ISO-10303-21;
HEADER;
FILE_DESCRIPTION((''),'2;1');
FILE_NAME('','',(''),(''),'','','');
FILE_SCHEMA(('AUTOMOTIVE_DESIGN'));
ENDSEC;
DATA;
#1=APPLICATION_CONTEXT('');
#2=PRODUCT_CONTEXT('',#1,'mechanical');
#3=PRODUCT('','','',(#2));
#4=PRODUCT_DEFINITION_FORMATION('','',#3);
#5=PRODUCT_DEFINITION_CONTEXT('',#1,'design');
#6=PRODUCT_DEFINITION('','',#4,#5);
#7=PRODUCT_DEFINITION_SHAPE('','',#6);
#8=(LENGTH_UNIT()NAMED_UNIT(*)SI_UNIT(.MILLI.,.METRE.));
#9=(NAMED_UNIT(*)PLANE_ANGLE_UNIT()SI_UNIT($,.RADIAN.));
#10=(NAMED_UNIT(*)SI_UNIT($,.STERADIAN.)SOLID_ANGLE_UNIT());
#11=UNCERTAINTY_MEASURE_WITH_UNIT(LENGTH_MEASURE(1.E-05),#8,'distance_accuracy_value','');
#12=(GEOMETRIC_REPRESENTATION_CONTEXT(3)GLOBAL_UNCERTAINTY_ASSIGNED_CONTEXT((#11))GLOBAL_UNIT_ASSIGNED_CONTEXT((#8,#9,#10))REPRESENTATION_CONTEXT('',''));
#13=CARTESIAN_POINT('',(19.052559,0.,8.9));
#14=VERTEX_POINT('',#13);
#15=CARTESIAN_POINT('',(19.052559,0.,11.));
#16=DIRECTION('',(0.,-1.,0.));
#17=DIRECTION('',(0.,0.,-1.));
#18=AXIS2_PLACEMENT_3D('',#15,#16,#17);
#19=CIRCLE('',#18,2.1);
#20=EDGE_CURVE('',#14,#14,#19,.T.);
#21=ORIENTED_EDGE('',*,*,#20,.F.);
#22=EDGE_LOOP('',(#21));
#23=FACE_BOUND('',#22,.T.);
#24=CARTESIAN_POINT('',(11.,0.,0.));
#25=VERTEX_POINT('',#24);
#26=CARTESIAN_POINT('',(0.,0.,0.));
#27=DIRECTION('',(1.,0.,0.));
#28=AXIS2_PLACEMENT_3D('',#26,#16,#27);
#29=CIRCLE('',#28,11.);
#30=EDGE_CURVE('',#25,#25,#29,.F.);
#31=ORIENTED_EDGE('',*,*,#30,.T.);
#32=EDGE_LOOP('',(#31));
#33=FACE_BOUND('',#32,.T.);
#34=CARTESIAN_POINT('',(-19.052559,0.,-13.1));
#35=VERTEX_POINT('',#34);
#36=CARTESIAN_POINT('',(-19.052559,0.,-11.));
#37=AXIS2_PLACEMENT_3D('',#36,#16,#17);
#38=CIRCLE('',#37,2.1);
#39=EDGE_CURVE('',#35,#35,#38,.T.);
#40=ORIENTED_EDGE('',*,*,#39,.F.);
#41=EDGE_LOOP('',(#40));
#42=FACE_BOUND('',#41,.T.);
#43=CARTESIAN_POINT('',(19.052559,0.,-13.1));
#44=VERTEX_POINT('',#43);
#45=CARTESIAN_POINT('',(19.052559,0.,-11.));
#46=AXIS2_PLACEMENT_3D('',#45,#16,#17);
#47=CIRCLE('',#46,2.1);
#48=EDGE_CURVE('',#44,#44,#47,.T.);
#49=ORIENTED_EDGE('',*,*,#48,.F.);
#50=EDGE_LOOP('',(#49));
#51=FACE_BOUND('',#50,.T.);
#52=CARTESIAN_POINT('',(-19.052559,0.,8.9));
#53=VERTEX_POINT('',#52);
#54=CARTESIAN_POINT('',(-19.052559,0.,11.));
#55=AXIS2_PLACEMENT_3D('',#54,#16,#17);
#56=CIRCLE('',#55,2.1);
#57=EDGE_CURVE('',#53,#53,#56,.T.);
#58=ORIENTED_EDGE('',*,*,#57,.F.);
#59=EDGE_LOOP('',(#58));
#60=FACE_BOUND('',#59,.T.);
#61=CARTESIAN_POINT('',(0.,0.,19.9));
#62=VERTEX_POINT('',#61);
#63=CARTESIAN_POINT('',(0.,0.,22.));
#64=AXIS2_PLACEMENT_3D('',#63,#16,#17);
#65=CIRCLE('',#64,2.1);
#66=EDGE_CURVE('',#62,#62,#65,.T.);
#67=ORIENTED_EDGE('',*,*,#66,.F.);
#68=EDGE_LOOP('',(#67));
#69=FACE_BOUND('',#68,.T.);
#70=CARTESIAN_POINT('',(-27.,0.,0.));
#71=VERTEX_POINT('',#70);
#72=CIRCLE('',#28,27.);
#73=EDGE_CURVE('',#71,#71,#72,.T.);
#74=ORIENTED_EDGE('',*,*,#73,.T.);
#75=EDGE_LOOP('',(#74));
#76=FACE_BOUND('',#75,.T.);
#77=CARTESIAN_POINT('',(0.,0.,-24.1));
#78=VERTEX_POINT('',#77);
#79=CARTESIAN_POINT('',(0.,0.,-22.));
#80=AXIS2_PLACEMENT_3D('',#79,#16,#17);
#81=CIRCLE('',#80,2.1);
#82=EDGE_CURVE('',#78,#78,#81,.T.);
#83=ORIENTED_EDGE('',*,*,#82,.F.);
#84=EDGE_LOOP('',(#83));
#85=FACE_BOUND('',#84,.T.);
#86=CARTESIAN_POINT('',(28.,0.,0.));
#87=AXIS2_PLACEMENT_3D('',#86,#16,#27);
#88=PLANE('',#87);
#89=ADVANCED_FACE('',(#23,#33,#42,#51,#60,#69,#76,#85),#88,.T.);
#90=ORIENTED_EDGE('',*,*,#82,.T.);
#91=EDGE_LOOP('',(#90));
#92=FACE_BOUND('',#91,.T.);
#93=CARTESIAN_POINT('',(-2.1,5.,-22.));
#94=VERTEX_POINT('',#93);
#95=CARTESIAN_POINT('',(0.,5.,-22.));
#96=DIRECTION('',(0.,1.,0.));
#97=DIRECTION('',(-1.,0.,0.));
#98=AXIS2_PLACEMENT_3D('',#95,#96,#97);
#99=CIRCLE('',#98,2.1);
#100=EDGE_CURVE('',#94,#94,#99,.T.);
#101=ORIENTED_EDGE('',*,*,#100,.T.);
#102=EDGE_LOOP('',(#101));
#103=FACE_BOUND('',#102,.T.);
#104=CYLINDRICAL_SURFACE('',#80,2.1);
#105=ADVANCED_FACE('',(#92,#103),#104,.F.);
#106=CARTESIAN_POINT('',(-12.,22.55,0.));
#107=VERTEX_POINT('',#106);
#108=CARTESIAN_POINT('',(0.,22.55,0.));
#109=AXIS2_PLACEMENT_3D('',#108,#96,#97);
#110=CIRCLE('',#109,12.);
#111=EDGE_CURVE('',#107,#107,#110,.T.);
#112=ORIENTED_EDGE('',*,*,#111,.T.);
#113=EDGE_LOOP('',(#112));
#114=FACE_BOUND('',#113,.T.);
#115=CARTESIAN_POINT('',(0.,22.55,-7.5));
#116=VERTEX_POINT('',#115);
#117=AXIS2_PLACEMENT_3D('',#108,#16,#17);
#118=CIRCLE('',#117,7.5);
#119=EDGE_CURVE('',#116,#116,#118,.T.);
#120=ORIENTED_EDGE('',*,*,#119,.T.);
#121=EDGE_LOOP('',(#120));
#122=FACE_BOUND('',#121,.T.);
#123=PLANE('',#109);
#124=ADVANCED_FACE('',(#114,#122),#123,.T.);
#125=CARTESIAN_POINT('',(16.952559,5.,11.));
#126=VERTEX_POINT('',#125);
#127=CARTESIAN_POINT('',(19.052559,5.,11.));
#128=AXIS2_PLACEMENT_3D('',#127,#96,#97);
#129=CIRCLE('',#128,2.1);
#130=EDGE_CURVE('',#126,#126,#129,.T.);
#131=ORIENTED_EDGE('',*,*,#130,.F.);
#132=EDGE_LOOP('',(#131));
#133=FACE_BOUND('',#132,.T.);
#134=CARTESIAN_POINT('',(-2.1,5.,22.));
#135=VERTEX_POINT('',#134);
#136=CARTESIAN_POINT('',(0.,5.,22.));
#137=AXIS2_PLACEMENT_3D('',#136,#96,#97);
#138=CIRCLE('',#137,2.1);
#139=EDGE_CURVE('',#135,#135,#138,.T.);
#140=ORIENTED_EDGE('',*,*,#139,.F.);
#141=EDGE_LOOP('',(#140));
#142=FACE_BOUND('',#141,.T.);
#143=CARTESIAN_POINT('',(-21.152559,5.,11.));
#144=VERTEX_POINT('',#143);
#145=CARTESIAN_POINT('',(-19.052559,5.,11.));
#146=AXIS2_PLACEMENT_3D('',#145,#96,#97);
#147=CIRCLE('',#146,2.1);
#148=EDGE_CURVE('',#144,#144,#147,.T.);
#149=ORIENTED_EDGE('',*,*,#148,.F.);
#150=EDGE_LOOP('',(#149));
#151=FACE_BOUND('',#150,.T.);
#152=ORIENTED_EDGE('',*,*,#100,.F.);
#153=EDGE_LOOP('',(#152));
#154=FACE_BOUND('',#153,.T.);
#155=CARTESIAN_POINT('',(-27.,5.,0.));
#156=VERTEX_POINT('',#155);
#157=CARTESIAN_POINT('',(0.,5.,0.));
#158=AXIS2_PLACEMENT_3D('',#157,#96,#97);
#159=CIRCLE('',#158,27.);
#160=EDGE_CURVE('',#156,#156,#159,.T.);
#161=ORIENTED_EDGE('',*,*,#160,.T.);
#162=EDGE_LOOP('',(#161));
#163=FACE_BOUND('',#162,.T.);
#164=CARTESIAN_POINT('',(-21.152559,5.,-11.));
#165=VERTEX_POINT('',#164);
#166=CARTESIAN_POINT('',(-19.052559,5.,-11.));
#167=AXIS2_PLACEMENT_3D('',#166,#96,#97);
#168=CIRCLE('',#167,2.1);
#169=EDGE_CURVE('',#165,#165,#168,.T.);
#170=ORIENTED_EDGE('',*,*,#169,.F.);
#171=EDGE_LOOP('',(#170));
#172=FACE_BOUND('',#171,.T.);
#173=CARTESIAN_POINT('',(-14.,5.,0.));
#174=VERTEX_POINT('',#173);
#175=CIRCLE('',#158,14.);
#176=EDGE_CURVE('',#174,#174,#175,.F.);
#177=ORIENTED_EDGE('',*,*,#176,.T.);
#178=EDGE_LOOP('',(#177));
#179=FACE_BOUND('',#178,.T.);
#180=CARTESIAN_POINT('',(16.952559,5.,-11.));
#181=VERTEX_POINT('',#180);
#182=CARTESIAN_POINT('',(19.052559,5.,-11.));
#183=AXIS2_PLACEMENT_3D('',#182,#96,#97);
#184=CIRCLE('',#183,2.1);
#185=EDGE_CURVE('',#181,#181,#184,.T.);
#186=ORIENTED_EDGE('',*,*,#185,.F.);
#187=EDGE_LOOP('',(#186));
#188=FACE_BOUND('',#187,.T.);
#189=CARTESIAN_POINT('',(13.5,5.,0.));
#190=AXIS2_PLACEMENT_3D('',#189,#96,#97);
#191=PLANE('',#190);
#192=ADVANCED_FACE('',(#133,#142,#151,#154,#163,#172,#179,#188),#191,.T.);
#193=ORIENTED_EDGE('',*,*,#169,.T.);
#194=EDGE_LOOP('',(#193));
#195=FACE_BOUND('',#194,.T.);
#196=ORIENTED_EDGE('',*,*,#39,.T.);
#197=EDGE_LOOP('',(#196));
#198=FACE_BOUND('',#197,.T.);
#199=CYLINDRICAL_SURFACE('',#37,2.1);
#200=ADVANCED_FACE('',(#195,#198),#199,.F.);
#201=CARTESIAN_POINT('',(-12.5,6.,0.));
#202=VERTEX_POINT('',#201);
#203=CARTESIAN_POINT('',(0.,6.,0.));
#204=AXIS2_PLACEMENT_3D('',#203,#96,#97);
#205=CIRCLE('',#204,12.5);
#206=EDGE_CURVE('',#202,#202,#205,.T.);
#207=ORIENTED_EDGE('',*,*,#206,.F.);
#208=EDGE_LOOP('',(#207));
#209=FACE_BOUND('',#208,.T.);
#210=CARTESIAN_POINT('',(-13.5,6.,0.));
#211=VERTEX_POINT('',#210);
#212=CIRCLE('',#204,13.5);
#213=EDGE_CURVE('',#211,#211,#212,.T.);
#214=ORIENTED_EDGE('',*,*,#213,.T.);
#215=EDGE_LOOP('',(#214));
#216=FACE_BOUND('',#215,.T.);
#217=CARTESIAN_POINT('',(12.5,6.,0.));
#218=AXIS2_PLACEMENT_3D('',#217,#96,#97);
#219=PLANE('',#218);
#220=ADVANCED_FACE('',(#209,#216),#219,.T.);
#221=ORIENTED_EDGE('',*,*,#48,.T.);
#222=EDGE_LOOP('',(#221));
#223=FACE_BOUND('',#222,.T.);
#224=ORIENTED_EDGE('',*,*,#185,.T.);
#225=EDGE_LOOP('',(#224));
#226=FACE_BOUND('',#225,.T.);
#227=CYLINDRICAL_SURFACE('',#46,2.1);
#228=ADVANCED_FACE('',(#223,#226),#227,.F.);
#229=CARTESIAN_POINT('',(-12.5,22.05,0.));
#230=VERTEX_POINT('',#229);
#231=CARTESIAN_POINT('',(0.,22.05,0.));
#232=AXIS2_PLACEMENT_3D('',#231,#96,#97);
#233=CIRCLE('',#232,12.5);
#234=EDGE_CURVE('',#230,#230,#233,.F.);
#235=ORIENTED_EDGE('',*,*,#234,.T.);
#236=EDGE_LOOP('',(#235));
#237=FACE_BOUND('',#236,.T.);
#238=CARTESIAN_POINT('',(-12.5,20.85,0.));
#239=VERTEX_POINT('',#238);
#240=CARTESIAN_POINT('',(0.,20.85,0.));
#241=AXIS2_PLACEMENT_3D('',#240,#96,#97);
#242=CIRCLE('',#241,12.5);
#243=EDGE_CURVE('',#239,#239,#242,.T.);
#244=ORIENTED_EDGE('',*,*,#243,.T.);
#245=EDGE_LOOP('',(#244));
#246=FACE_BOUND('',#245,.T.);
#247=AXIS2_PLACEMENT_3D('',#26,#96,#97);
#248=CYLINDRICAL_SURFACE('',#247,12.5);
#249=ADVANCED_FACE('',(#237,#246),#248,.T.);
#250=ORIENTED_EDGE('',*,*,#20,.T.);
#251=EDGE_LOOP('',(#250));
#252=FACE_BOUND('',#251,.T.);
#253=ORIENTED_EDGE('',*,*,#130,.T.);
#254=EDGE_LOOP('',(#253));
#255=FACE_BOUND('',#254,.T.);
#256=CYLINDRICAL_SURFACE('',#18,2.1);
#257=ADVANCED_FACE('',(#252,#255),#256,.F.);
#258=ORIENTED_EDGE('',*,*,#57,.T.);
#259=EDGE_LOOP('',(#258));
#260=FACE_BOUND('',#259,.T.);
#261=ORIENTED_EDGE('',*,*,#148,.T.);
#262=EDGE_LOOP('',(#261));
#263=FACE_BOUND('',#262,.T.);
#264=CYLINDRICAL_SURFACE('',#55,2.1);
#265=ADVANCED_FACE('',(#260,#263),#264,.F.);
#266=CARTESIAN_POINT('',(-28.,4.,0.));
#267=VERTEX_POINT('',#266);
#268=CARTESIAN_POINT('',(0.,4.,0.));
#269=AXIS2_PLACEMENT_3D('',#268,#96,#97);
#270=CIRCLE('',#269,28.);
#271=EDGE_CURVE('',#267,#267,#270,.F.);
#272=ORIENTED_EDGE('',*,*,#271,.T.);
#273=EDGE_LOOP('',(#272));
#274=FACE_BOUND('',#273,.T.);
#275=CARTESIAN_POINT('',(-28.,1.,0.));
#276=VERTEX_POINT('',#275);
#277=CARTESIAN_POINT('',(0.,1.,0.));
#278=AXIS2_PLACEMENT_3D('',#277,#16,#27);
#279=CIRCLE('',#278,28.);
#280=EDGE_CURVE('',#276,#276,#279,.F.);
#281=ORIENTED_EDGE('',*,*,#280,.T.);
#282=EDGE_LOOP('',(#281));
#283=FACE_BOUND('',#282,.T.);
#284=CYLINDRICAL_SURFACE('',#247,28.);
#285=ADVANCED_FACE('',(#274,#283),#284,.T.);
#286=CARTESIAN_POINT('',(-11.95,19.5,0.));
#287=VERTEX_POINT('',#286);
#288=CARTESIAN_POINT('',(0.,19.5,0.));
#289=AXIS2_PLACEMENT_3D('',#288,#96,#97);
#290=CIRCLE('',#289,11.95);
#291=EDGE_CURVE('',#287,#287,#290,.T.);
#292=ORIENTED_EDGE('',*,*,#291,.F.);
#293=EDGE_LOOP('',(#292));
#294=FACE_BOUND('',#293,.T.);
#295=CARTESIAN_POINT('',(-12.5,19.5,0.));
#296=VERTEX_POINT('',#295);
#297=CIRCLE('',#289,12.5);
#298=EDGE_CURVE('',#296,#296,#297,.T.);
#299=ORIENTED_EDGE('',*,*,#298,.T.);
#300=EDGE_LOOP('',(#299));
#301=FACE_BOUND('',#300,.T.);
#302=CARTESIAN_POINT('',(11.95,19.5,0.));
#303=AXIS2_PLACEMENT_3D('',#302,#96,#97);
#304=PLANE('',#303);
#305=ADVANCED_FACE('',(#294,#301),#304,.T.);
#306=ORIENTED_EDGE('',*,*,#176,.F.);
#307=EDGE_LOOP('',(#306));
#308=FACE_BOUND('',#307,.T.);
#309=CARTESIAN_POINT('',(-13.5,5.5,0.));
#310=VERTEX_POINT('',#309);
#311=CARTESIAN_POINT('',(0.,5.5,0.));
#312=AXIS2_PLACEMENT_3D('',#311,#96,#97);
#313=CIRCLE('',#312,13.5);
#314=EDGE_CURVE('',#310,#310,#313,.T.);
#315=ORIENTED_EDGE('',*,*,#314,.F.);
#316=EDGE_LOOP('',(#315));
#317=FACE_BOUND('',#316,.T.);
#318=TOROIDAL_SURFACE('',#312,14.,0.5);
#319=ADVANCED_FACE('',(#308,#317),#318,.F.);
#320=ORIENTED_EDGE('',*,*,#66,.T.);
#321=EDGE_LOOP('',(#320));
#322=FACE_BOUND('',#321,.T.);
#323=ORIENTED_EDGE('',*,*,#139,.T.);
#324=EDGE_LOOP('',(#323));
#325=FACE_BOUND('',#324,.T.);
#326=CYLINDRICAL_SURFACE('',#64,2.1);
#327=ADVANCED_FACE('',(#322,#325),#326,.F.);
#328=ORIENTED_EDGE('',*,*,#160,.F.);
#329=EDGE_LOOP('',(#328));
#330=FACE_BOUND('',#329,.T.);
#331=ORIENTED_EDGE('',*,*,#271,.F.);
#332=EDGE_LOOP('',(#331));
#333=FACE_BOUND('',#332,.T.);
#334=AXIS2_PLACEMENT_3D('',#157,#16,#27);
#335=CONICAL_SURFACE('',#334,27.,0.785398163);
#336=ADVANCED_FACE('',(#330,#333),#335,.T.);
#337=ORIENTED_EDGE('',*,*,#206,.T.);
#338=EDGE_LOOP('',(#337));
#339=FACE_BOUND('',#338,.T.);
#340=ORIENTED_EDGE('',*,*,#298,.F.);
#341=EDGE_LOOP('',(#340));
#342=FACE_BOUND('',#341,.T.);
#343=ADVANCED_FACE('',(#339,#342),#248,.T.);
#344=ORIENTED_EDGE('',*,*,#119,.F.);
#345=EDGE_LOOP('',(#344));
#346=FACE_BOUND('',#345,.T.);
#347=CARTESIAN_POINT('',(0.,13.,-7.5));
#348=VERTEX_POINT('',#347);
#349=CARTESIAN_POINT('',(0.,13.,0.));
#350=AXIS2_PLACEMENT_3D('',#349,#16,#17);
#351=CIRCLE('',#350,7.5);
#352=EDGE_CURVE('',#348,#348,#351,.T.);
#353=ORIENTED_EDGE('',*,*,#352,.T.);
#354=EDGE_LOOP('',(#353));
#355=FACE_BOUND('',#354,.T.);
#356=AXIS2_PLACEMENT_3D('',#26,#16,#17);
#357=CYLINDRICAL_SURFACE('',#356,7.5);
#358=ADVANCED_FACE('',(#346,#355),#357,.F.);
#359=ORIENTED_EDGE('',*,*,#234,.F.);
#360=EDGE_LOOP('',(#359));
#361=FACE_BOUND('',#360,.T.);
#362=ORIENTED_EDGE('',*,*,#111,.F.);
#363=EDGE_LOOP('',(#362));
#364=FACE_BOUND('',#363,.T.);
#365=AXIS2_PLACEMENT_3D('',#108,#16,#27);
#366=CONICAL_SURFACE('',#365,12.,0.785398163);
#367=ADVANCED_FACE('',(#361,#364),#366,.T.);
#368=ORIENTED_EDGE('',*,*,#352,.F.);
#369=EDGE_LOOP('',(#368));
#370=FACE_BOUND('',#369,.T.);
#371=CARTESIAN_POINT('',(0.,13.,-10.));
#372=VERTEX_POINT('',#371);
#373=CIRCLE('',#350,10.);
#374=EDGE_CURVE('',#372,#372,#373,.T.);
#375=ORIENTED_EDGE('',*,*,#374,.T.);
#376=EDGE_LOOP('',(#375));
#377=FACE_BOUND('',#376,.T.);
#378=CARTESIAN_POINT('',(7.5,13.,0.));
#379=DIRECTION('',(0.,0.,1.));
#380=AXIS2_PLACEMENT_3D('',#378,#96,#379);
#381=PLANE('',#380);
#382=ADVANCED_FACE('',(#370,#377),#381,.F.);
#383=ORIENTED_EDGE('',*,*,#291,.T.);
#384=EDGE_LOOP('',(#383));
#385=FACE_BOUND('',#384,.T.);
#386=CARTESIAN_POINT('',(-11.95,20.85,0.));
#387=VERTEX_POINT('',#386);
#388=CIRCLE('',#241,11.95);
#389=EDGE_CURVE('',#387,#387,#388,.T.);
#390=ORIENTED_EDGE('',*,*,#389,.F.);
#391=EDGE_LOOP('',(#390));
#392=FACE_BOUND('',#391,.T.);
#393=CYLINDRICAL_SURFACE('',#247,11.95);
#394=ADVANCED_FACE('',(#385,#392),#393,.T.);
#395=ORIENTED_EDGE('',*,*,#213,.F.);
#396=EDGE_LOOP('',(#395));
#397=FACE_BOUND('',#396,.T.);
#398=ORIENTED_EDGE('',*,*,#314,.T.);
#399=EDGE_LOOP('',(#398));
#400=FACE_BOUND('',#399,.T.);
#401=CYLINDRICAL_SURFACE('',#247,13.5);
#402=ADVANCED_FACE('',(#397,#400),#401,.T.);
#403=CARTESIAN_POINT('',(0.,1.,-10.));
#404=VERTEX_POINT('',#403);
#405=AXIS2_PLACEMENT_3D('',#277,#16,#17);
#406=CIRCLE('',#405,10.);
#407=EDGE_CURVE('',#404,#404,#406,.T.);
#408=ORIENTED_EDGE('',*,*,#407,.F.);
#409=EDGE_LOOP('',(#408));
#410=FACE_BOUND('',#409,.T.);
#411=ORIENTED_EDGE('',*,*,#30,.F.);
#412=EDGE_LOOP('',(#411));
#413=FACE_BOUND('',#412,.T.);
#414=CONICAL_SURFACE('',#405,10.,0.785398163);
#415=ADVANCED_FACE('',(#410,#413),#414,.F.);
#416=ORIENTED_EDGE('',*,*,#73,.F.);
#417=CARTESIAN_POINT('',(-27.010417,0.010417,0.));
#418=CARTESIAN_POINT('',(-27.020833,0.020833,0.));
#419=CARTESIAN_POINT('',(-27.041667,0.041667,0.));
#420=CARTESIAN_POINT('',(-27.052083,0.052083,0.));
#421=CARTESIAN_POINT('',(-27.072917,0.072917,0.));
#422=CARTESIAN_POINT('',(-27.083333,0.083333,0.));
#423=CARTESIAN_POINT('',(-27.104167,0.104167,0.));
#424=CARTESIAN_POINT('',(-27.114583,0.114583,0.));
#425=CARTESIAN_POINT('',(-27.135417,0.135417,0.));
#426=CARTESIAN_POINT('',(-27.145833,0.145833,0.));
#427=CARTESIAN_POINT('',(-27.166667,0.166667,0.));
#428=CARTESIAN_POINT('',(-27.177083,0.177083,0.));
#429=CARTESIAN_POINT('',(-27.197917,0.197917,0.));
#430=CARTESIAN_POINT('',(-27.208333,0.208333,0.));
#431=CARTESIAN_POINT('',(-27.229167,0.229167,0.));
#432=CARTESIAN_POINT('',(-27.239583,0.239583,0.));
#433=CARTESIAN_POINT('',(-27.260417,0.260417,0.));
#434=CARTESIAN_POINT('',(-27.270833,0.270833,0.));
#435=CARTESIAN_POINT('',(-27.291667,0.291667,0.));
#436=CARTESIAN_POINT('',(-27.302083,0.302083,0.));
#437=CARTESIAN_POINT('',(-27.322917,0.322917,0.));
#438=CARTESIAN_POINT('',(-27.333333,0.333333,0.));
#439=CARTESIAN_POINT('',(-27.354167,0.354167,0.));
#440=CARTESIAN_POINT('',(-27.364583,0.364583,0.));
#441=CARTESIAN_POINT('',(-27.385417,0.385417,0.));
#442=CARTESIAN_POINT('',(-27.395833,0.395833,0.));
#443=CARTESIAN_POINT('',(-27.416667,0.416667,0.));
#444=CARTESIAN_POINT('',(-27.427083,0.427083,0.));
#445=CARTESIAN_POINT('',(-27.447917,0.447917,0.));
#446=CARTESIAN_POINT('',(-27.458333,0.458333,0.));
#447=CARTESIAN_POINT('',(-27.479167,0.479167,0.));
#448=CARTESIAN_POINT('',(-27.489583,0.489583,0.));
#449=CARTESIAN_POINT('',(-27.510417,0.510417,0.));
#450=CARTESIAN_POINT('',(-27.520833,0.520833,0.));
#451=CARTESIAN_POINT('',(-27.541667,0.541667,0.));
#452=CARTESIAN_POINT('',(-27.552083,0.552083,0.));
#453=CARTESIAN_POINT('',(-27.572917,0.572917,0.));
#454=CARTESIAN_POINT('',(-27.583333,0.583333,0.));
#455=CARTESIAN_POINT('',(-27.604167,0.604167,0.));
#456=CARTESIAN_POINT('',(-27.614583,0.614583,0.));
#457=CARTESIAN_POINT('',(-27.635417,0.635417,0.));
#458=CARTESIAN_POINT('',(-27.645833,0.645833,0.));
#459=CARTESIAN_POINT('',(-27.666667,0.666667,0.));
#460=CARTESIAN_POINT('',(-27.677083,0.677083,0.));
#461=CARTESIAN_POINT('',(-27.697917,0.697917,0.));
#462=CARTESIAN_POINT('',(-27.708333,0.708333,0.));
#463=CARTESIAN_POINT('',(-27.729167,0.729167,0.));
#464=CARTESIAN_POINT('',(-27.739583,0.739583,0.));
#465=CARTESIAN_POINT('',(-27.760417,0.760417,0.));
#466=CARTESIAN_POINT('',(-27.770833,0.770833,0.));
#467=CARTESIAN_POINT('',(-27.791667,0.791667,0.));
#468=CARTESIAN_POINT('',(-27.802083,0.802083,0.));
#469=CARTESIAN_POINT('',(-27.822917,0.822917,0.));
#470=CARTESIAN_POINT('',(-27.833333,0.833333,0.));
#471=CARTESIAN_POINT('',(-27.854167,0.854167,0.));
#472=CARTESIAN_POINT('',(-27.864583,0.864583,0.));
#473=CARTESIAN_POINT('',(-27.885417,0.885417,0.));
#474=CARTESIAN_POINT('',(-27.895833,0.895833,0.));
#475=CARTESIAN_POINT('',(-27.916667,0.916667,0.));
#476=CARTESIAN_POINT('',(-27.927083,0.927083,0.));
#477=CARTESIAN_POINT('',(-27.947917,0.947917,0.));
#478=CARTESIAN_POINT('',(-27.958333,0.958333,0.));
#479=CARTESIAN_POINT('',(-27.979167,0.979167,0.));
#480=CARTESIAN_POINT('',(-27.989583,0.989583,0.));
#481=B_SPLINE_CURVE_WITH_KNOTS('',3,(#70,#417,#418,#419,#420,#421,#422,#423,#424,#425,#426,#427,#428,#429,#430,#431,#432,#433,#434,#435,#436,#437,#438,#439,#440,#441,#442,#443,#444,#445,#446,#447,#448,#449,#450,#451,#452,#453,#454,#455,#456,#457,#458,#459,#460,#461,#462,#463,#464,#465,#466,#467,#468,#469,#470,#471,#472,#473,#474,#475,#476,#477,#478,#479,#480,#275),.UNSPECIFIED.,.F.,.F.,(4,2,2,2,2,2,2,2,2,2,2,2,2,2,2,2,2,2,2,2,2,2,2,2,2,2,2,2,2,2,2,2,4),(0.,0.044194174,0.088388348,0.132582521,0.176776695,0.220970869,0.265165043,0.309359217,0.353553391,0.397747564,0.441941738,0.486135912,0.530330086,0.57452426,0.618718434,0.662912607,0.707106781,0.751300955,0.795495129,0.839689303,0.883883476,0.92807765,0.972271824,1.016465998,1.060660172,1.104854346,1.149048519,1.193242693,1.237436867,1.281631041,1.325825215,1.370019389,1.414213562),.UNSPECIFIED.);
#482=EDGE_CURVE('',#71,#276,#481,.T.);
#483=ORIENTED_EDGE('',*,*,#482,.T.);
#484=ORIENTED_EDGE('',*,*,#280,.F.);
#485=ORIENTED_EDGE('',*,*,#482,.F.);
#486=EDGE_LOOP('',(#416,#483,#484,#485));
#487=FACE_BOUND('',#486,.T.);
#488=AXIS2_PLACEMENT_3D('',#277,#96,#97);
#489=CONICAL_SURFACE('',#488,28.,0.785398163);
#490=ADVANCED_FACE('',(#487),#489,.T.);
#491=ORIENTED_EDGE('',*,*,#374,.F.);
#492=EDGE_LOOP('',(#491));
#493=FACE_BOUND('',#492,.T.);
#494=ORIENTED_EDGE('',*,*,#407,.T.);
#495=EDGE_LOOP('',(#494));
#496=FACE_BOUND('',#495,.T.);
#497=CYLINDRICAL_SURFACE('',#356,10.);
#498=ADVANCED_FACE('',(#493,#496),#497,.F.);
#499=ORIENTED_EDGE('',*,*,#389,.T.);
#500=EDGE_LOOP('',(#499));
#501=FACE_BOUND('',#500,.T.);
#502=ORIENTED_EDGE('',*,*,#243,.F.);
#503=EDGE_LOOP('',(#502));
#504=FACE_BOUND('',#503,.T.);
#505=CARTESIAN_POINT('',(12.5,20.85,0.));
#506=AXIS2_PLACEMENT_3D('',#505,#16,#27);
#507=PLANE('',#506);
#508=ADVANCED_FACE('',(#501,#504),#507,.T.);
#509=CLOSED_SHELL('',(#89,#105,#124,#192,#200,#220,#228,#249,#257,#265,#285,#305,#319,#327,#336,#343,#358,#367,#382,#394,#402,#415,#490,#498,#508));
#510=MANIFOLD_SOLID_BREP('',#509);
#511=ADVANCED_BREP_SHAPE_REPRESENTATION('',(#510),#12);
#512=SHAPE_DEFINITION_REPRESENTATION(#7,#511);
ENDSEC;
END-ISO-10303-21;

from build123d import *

# Parameters (mm, degrees)
HOLE_WIZARD_M5_1_D    = 4.2
M20X1_5_1_D           = 15
M20X1_5_1_CBORE_D     = 20
M20X1_5_1_CBORE_DEPTH = 13
CHAMFER_1_SIZE        = 0.5
CHAMFER_2_SIZE        = 1
FILLET_1_R            = 0.5


with BuildPart() as part:
    # 草图1 → 旋转1 (revolve)
    with BuildSketch(Plane(origin=(0, 0, 0), x_dir=(-1, 0, 0), z_dir=(0, 0, -1)), mode=Mode.PRIVATE) as revolve_1_sk:
        Polygon((-28, 0), (0, 0), (0, 22.55), (-12.5, 22.55), (-12.5, 20.85), (-11.95, 20.85), (-11.95, 19.5), (-12.5, 19.5), (-12.5, 6), (-13.5, 6), (-13.5, 5), (-28, 5), align=None)
    revolve(revolve_1_sk.sketch.rotate(Axis((0, 0, 0), (0, 1, 0)), 180), axis=Axis((0, 0, 0), (0, 1, 0)))

    # M5 螺纹孔1 (through all)
    with Locations(Plane(origin=(0, 0, 0), x_dir=(-1, 0, 0), z_dir=(0, -1, 0))):
        with Locations((0, -22), (-19.052558883, -11), (-19.052558883, 11), (0, 22), (19.052558883, 11), (19.052558883, -11)):
            Hole(HOLE_WIZARD_M5_1_D / 2)

    # M20x1.5 螺纹孔1 (through all)
    with Locations(Plane(origin=(0, 0, 0), x_dir=(-1, 0, 0), z_dir=(0, -1, 0))):
        with Locations((0, 0)):
            CounterBoreHole(M20X1_5_1_D / 2, M20X1_5_1_CBORE_D / 2, M20X1_5_1_CBORE_DEPTH)

    # 倒角1
    chamfer_1_edges = [part.edges().sort_by_distance(p)[0] for p in [
        (12.5, 22.55, 0),
    ]]
    chamfer(chamfer_1_edges, length=CHAMFER_1_SIZE)

    # 倒角2
    chamfer_2_edges = [part.edges().sort_by_distance(p)[0] for p in [
        (28, 0, 0),
        (10, 0, 0),
        (28, 5, 0),
    ]]
    chamfer(chamfer_2_edges, length=CHAMFER_2_SIZE)

    # 圆角1
    fillet_1_edges = [part.edges().sort_by_distance(p)[0] for p in [
        (13.5, 5, 0),
    ]]
    fillet(fillet_1_edges, radius=FILLET_1_R)


solid = part.part
